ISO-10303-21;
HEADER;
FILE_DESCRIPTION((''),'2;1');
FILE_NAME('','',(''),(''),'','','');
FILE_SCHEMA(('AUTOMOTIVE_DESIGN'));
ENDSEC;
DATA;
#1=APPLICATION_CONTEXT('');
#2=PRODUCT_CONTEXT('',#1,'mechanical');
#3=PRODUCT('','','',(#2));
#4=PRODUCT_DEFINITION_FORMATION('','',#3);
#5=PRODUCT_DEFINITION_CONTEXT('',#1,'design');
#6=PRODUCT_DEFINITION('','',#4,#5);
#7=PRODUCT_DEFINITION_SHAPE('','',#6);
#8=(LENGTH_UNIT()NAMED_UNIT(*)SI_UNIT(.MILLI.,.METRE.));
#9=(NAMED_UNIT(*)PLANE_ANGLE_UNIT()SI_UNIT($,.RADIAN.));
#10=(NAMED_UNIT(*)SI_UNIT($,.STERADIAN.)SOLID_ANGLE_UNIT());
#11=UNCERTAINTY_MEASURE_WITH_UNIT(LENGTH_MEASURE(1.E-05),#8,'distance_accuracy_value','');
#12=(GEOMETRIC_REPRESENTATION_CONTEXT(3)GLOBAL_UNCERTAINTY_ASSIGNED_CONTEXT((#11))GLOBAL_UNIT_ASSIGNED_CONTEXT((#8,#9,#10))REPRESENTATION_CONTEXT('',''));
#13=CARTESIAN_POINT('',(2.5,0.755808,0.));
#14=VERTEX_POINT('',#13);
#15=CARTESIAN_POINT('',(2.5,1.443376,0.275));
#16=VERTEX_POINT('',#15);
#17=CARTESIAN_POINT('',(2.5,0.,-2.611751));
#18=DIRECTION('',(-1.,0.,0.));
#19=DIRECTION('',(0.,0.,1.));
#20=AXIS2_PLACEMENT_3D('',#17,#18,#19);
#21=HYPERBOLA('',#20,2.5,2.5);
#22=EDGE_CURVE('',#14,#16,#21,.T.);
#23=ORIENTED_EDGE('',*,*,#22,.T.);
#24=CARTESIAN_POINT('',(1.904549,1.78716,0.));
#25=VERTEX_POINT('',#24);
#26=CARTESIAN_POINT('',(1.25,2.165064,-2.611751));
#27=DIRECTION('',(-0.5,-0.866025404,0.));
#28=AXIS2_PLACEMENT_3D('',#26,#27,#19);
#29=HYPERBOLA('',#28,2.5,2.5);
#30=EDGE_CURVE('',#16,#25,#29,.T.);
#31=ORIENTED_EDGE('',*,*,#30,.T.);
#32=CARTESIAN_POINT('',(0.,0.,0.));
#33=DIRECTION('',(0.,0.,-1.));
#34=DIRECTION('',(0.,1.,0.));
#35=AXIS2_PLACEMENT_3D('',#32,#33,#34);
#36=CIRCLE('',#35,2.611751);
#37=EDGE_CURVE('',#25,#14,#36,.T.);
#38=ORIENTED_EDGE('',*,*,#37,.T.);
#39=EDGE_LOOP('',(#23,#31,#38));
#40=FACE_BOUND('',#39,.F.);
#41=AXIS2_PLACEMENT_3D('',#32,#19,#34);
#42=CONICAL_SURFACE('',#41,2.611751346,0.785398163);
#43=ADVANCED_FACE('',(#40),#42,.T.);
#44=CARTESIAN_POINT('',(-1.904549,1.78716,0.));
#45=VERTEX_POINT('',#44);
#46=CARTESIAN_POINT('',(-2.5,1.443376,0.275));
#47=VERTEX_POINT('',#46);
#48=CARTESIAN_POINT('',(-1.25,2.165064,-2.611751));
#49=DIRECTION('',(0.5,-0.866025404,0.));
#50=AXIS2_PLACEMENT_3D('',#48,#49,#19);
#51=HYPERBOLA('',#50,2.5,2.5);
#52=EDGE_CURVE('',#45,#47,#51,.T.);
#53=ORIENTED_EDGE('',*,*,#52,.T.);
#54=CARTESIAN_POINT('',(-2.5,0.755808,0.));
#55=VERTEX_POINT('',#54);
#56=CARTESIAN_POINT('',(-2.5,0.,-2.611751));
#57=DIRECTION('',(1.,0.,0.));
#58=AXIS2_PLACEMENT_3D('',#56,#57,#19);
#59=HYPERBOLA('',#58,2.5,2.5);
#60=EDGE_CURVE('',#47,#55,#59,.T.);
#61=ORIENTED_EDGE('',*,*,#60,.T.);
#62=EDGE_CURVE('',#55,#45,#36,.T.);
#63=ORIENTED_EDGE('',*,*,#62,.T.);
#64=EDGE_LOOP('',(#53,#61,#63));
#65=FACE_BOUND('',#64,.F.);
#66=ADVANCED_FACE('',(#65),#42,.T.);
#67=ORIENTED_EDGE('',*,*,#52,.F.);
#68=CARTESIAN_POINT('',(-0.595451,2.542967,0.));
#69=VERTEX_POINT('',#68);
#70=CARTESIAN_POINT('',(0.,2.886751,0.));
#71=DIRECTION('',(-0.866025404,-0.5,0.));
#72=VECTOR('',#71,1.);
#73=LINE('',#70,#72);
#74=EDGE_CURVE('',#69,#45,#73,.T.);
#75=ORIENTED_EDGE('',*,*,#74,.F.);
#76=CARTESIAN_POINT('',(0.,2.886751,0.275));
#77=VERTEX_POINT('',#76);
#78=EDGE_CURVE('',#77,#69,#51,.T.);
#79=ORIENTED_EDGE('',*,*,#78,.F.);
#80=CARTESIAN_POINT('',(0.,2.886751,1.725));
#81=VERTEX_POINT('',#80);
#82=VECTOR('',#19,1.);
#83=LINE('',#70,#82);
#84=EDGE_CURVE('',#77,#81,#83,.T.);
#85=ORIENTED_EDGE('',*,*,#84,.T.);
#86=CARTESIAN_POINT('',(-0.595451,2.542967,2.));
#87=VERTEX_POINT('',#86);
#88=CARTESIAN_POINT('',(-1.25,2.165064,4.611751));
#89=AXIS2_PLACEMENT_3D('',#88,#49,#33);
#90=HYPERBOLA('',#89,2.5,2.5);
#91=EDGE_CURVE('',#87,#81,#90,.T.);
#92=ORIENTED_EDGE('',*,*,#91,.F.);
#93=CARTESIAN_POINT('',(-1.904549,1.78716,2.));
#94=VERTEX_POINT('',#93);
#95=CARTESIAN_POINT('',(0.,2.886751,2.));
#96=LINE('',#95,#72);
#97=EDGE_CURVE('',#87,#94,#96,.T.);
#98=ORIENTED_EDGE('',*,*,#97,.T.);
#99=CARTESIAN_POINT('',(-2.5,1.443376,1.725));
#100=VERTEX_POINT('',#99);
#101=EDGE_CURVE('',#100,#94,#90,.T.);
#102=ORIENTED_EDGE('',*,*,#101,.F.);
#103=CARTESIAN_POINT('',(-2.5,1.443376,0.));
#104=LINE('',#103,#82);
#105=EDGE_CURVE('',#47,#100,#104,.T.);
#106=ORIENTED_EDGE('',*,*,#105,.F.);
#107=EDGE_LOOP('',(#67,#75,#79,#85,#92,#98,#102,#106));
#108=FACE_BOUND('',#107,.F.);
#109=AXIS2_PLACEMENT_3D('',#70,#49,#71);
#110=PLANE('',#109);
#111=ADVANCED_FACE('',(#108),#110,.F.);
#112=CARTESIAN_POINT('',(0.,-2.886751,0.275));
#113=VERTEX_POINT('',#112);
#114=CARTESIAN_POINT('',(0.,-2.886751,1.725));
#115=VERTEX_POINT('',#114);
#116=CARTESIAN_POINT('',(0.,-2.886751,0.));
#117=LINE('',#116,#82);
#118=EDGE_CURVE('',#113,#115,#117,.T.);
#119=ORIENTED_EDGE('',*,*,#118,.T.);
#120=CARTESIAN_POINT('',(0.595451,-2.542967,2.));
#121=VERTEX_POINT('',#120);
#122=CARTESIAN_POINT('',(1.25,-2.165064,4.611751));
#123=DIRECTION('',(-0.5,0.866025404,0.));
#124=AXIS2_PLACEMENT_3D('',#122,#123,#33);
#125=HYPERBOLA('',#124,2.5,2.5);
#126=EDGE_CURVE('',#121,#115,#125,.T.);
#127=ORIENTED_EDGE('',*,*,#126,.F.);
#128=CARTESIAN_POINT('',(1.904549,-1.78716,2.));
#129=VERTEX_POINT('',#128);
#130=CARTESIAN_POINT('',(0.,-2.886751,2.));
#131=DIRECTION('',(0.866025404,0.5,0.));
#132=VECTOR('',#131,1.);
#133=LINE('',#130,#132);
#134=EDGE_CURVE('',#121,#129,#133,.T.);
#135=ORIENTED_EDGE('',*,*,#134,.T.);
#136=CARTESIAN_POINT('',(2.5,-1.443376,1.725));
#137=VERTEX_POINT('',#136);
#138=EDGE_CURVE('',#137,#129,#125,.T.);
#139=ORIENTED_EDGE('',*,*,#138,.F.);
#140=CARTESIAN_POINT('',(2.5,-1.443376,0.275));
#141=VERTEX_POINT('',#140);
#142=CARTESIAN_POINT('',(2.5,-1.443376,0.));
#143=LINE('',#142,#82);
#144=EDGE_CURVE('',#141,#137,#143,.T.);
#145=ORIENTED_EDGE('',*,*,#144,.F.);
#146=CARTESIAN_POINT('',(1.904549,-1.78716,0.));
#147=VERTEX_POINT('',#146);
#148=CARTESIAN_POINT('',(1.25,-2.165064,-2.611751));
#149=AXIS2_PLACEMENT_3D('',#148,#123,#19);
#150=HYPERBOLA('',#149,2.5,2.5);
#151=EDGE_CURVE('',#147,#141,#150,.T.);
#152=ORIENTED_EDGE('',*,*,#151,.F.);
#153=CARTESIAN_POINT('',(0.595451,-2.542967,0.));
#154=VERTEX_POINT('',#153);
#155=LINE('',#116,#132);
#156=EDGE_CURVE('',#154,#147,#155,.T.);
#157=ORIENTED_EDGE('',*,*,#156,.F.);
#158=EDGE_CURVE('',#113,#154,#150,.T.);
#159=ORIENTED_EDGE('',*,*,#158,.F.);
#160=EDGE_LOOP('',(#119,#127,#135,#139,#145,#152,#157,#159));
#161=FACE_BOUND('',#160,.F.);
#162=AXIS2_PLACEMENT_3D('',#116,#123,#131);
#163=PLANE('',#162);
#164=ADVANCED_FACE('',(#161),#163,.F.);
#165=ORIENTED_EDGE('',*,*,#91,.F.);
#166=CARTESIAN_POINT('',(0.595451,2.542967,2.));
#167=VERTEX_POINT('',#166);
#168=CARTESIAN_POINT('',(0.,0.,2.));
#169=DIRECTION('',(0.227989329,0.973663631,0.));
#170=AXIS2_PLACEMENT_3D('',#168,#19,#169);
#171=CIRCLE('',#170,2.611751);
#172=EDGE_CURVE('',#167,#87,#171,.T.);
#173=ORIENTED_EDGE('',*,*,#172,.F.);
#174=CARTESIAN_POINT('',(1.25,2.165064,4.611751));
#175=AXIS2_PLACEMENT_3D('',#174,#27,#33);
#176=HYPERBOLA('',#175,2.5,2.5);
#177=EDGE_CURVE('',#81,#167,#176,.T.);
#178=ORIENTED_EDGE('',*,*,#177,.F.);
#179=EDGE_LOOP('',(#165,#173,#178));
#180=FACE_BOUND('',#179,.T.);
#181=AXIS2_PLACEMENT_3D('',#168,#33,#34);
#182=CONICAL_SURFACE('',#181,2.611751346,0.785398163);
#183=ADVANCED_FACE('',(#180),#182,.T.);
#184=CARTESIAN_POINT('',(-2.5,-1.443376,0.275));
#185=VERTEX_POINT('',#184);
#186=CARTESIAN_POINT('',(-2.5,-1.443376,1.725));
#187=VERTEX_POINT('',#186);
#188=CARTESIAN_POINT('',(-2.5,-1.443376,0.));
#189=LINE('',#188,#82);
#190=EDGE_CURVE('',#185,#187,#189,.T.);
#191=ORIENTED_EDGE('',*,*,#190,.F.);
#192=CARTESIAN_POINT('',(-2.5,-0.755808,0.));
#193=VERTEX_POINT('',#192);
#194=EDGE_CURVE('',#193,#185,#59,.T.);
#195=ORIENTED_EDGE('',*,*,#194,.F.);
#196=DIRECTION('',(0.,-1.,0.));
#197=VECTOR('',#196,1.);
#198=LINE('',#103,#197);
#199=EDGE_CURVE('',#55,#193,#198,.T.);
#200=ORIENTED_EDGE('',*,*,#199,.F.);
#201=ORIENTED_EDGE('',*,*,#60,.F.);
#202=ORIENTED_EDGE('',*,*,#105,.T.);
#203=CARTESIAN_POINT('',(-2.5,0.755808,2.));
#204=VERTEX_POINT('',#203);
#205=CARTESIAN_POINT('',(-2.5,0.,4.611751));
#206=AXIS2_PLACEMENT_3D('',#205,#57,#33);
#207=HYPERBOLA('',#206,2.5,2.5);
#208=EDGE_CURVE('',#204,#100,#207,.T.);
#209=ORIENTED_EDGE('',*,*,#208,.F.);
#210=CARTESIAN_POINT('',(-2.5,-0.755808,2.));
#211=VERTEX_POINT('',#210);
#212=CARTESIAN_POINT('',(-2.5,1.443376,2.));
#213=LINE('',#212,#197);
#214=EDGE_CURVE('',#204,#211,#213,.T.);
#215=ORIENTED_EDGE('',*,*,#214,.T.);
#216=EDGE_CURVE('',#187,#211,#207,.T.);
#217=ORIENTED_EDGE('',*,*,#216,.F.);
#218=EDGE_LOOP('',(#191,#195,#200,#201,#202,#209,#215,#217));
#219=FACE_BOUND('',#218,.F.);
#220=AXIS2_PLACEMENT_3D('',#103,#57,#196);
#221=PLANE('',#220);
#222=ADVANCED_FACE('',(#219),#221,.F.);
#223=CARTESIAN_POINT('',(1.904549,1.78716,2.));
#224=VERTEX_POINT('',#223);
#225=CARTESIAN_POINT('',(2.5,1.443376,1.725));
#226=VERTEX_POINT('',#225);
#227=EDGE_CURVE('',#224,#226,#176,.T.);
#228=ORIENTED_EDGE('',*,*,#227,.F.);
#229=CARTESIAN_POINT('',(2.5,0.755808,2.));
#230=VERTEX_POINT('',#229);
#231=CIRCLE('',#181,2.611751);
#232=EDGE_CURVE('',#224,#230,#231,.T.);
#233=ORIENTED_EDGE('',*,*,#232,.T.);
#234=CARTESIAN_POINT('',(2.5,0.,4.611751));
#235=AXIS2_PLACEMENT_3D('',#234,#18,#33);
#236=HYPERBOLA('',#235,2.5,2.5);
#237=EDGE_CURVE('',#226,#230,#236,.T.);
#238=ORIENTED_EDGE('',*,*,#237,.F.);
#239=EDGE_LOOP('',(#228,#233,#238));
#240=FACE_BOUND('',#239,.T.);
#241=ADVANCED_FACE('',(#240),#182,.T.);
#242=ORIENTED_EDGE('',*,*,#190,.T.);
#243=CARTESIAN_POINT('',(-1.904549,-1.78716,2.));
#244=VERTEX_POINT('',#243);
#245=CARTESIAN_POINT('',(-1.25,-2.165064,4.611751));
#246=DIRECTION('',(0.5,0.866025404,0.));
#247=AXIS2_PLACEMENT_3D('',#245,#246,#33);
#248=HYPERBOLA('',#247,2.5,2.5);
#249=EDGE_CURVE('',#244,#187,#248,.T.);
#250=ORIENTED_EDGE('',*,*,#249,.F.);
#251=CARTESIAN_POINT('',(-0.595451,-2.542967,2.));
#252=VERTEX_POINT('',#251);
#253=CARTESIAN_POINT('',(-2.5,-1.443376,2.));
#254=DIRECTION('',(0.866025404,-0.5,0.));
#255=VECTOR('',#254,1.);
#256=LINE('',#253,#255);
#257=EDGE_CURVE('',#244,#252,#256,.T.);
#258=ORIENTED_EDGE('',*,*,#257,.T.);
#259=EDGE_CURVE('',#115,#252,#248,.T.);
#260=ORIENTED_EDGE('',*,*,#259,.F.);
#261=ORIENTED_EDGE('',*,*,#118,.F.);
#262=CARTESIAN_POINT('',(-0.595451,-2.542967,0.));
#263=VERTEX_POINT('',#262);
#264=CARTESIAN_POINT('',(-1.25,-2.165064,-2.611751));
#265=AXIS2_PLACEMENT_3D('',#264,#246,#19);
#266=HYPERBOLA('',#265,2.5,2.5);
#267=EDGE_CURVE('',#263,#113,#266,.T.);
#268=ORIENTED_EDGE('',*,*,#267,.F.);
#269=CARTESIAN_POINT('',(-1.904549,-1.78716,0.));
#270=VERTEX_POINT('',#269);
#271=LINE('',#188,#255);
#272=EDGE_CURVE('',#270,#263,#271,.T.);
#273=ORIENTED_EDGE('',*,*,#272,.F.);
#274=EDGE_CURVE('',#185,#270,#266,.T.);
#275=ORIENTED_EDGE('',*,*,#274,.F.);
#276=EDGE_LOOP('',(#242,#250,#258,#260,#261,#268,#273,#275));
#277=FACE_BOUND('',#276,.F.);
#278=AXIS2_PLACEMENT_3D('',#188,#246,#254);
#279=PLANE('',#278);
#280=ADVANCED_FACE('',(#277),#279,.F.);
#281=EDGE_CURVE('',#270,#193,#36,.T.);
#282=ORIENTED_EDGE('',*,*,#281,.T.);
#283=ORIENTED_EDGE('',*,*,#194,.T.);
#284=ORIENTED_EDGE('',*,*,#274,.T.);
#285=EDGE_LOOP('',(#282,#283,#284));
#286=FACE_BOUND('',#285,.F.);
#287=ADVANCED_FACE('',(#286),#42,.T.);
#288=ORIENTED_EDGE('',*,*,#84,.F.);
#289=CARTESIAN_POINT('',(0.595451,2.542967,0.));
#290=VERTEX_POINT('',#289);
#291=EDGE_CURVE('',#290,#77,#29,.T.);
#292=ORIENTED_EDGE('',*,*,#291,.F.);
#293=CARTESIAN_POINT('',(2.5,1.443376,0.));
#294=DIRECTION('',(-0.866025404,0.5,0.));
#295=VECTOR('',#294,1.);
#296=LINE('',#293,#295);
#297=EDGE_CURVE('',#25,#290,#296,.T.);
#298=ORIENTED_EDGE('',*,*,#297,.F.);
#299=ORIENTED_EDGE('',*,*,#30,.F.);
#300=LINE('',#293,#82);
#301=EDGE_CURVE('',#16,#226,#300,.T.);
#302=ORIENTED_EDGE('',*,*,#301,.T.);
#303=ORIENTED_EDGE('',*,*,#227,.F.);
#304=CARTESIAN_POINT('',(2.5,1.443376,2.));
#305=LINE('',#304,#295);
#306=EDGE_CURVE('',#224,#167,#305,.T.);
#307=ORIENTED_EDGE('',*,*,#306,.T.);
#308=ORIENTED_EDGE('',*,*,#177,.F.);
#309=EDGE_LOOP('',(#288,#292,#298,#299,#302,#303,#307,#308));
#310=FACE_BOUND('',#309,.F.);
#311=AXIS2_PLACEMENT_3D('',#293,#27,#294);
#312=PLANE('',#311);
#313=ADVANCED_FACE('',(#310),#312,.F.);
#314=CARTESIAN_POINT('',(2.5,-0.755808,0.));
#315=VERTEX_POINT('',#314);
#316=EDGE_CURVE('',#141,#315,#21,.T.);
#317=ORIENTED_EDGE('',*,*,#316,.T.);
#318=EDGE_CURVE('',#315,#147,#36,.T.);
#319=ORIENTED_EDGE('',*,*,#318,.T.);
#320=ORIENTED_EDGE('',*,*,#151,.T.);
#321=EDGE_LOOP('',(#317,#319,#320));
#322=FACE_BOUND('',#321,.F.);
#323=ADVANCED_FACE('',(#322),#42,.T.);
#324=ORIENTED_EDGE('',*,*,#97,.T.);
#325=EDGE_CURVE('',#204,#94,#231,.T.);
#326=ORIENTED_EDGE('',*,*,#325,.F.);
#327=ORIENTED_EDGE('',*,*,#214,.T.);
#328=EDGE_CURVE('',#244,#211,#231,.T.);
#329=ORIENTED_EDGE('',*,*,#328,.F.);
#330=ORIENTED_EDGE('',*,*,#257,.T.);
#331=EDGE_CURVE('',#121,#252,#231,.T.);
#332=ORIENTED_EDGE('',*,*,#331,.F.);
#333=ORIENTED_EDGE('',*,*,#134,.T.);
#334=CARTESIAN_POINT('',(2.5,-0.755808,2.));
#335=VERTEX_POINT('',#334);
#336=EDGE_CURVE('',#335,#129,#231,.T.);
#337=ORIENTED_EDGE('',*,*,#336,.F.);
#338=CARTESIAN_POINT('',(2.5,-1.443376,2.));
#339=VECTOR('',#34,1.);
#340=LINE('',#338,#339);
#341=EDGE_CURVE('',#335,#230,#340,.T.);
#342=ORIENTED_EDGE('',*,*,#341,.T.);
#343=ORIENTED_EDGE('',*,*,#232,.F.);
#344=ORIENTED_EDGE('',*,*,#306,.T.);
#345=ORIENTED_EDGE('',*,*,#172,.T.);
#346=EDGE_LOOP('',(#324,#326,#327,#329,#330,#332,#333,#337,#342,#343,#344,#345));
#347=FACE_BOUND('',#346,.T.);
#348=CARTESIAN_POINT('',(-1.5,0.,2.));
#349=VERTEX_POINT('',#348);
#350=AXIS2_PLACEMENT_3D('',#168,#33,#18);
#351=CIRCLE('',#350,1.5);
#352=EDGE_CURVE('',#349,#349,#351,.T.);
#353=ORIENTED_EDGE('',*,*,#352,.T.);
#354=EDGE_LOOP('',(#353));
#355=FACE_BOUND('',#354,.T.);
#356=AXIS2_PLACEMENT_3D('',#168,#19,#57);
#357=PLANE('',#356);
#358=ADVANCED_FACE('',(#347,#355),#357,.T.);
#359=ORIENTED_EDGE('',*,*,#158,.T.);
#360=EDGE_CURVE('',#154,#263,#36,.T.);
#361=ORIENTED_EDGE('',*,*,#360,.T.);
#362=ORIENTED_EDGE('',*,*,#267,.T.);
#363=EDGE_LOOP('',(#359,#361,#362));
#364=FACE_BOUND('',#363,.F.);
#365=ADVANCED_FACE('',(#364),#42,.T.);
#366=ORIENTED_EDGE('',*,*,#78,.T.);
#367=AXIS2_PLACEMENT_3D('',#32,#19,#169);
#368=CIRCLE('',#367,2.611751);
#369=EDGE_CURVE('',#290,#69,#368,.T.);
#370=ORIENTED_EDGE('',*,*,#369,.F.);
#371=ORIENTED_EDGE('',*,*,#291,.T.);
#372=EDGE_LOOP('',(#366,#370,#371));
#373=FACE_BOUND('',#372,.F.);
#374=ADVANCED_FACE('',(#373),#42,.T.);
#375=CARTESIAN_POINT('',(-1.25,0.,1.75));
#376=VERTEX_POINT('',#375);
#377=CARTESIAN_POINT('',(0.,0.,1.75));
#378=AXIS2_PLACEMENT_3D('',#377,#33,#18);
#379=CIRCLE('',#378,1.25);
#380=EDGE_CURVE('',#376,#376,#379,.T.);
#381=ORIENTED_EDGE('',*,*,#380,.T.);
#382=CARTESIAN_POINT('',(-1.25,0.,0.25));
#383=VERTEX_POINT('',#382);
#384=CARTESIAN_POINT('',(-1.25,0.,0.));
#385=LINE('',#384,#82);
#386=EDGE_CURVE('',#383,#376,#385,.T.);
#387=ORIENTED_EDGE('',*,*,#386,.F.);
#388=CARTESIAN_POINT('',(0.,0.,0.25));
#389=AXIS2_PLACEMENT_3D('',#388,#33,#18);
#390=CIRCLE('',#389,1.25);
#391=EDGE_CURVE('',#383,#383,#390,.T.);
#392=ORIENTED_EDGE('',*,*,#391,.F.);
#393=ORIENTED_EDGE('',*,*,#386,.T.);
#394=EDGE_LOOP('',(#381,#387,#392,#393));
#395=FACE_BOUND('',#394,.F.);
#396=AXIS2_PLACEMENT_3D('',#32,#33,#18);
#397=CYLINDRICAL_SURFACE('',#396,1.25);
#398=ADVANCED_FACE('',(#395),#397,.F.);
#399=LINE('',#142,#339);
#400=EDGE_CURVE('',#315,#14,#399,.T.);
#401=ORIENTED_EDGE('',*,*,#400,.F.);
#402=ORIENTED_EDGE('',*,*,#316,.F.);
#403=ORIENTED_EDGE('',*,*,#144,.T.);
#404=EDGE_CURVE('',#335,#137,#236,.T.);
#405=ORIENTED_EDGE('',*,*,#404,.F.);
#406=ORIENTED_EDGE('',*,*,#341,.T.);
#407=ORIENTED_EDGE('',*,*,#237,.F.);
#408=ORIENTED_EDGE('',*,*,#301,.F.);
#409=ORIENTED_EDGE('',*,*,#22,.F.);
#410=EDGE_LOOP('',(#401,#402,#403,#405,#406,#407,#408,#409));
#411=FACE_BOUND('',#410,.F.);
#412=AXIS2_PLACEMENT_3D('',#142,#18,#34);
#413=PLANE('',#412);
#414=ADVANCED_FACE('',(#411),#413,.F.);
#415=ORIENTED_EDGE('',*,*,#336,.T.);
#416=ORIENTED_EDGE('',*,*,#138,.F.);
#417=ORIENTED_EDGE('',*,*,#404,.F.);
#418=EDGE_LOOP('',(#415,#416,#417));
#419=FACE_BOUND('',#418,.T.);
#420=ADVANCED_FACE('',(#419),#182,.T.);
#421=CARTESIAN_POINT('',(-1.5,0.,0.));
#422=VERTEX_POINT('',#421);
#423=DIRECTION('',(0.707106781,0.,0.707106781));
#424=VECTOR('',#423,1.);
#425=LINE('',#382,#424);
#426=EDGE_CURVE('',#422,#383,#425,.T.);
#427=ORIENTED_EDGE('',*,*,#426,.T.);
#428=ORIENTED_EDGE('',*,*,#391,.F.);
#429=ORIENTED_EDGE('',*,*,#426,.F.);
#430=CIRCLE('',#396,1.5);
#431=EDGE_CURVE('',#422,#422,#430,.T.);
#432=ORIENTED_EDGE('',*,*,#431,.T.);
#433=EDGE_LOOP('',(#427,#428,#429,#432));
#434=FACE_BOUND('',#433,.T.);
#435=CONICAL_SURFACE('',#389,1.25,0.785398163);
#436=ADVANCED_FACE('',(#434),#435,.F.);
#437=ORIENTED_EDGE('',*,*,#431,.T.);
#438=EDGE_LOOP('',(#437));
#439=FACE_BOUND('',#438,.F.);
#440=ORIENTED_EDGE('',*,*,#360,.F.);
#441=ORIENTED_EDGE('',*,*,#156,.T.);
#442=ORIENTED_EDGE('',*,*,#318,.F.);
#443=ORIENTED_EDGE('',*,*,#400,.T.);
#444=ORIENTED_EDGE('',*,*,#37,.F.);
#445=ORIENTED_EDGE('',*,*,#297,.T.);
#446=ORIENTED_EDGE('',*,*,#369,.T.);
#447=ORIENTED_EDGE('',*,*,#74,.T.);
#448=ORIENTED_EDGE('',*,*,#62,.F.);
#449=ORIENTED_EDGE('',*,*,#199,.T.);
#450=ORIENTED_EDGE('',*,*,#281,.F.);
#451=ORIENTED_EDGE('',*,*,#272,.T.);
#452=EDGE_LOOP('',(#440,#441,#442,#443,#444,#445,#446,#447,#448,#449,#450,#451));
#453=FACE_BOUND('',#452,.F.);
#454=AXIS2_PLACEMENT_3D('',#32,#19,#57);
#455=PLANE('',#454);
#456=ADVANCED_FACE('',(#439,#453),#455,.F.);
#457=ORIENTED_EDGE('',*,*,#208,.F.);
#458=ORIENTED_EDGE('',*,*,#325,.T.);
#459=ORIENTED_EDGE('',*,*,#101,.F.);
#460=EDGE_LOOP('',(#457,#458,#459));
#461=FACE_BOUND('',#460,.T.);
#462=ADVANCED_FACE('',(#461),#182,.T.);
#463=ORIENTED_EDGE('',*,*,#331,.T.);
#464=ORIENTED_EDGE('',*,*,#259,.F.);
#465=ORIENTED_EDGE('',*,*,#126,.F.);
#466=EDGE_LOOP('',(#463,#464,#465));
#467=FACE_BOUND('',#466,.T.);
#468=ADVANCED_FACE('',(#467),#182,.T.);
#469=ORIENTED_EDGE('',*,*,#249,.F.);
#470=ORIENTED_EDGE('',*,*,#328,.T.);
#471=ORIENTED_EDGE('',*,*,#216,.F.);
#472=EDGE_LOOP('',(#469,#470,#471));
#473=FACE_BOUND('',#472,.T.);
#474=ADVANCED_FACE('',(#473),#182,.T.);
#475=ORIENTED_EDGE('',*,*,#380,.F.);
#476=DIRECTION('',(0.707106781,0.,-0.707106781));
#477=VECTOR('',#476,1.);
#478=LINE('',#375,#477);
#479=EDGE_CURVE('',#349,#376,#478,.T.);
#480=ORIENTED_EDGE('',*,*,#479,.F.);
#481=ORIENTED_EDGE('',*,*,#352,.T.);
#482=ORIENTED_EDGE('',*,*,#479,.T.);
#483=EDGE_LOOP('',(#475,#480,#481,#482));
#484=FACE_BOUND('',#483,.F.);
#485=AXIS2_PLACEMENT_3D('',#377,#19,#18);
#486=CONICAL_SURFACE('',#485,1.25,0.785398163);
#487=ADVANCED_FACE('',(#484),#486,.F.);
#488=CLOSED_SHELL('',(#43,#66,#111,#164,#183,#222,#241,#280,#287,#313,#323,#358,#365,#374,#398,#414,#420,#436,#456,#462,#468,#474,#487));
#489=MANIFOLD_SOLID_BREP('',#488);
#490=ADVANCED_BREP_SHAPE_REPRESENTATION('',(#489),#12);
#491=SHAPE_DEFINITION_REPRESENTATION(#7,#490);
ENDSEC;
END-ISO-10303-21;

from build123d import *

# Parameters (mm, degrees)
EXTRUDE_1_DEPTH     = 2
SKETCH_2_R          = 1.25
CUT_EXTRUDE_1_DEPTH = 5.310839052
CHAMFER_1_SIZE      = 0.25


with BuildPart() as part:
    # Эскиз1 → Вытянуть1 (new body)
    with BuildSketch(Plane.XY):
        Polygon((0, 2.886751346), (-2.5, 1.443375673), (-2.5, -1.443375673), (0, -2.886751346), (2.5, -1.443375673), (2.5, 1.443375673), align=None)
    extrude(amount=EXTRUDE_1_DEPTH)

    # Эскиз15 → Вырез-Повернуть1 (revolve, cut)
    with BuildSketch(Plane(origin=(0, 0, 0), x_dir=(0, 0, -1), z_dir=(1, 0, 0))):
        Polygon((-2, 2.886751346), (-2, 2.611751346), (-1.725, 2.886751346), align=None)
        Polygon((-0.275, 2.886751346), (0, 2.886751346), (0, 2.611751346), align=None)
    revolve(axis=Axis((0, 0, 2.633835381), (0, 0, -1)), mode=Mode.SUBTRACT)

    # Эскиз2 → Вырез-Вытянуть1 (cut, through all)
    with BuildSketch(Plane(origin=(0, 0, 0), x_dir=(-1, 0, 0), z_dir=(0, 0, -1))):
        Circle(SKETCH_2_R)
    extrude(amount=-CUT_EXTRUDE_1_DEPTH, mode=Mode.SUBTRACT)

    # Фаска1
    chamfer_1_edges = [part.edges().sort_by_distance(p)[0] for p in [
        (1.25, 0, 2),
        (1.25, 0, 0),
    ]]
    chamfer(chamfer_1_edges, length=CHAMFER_1_SIZE)


solid = part.part
